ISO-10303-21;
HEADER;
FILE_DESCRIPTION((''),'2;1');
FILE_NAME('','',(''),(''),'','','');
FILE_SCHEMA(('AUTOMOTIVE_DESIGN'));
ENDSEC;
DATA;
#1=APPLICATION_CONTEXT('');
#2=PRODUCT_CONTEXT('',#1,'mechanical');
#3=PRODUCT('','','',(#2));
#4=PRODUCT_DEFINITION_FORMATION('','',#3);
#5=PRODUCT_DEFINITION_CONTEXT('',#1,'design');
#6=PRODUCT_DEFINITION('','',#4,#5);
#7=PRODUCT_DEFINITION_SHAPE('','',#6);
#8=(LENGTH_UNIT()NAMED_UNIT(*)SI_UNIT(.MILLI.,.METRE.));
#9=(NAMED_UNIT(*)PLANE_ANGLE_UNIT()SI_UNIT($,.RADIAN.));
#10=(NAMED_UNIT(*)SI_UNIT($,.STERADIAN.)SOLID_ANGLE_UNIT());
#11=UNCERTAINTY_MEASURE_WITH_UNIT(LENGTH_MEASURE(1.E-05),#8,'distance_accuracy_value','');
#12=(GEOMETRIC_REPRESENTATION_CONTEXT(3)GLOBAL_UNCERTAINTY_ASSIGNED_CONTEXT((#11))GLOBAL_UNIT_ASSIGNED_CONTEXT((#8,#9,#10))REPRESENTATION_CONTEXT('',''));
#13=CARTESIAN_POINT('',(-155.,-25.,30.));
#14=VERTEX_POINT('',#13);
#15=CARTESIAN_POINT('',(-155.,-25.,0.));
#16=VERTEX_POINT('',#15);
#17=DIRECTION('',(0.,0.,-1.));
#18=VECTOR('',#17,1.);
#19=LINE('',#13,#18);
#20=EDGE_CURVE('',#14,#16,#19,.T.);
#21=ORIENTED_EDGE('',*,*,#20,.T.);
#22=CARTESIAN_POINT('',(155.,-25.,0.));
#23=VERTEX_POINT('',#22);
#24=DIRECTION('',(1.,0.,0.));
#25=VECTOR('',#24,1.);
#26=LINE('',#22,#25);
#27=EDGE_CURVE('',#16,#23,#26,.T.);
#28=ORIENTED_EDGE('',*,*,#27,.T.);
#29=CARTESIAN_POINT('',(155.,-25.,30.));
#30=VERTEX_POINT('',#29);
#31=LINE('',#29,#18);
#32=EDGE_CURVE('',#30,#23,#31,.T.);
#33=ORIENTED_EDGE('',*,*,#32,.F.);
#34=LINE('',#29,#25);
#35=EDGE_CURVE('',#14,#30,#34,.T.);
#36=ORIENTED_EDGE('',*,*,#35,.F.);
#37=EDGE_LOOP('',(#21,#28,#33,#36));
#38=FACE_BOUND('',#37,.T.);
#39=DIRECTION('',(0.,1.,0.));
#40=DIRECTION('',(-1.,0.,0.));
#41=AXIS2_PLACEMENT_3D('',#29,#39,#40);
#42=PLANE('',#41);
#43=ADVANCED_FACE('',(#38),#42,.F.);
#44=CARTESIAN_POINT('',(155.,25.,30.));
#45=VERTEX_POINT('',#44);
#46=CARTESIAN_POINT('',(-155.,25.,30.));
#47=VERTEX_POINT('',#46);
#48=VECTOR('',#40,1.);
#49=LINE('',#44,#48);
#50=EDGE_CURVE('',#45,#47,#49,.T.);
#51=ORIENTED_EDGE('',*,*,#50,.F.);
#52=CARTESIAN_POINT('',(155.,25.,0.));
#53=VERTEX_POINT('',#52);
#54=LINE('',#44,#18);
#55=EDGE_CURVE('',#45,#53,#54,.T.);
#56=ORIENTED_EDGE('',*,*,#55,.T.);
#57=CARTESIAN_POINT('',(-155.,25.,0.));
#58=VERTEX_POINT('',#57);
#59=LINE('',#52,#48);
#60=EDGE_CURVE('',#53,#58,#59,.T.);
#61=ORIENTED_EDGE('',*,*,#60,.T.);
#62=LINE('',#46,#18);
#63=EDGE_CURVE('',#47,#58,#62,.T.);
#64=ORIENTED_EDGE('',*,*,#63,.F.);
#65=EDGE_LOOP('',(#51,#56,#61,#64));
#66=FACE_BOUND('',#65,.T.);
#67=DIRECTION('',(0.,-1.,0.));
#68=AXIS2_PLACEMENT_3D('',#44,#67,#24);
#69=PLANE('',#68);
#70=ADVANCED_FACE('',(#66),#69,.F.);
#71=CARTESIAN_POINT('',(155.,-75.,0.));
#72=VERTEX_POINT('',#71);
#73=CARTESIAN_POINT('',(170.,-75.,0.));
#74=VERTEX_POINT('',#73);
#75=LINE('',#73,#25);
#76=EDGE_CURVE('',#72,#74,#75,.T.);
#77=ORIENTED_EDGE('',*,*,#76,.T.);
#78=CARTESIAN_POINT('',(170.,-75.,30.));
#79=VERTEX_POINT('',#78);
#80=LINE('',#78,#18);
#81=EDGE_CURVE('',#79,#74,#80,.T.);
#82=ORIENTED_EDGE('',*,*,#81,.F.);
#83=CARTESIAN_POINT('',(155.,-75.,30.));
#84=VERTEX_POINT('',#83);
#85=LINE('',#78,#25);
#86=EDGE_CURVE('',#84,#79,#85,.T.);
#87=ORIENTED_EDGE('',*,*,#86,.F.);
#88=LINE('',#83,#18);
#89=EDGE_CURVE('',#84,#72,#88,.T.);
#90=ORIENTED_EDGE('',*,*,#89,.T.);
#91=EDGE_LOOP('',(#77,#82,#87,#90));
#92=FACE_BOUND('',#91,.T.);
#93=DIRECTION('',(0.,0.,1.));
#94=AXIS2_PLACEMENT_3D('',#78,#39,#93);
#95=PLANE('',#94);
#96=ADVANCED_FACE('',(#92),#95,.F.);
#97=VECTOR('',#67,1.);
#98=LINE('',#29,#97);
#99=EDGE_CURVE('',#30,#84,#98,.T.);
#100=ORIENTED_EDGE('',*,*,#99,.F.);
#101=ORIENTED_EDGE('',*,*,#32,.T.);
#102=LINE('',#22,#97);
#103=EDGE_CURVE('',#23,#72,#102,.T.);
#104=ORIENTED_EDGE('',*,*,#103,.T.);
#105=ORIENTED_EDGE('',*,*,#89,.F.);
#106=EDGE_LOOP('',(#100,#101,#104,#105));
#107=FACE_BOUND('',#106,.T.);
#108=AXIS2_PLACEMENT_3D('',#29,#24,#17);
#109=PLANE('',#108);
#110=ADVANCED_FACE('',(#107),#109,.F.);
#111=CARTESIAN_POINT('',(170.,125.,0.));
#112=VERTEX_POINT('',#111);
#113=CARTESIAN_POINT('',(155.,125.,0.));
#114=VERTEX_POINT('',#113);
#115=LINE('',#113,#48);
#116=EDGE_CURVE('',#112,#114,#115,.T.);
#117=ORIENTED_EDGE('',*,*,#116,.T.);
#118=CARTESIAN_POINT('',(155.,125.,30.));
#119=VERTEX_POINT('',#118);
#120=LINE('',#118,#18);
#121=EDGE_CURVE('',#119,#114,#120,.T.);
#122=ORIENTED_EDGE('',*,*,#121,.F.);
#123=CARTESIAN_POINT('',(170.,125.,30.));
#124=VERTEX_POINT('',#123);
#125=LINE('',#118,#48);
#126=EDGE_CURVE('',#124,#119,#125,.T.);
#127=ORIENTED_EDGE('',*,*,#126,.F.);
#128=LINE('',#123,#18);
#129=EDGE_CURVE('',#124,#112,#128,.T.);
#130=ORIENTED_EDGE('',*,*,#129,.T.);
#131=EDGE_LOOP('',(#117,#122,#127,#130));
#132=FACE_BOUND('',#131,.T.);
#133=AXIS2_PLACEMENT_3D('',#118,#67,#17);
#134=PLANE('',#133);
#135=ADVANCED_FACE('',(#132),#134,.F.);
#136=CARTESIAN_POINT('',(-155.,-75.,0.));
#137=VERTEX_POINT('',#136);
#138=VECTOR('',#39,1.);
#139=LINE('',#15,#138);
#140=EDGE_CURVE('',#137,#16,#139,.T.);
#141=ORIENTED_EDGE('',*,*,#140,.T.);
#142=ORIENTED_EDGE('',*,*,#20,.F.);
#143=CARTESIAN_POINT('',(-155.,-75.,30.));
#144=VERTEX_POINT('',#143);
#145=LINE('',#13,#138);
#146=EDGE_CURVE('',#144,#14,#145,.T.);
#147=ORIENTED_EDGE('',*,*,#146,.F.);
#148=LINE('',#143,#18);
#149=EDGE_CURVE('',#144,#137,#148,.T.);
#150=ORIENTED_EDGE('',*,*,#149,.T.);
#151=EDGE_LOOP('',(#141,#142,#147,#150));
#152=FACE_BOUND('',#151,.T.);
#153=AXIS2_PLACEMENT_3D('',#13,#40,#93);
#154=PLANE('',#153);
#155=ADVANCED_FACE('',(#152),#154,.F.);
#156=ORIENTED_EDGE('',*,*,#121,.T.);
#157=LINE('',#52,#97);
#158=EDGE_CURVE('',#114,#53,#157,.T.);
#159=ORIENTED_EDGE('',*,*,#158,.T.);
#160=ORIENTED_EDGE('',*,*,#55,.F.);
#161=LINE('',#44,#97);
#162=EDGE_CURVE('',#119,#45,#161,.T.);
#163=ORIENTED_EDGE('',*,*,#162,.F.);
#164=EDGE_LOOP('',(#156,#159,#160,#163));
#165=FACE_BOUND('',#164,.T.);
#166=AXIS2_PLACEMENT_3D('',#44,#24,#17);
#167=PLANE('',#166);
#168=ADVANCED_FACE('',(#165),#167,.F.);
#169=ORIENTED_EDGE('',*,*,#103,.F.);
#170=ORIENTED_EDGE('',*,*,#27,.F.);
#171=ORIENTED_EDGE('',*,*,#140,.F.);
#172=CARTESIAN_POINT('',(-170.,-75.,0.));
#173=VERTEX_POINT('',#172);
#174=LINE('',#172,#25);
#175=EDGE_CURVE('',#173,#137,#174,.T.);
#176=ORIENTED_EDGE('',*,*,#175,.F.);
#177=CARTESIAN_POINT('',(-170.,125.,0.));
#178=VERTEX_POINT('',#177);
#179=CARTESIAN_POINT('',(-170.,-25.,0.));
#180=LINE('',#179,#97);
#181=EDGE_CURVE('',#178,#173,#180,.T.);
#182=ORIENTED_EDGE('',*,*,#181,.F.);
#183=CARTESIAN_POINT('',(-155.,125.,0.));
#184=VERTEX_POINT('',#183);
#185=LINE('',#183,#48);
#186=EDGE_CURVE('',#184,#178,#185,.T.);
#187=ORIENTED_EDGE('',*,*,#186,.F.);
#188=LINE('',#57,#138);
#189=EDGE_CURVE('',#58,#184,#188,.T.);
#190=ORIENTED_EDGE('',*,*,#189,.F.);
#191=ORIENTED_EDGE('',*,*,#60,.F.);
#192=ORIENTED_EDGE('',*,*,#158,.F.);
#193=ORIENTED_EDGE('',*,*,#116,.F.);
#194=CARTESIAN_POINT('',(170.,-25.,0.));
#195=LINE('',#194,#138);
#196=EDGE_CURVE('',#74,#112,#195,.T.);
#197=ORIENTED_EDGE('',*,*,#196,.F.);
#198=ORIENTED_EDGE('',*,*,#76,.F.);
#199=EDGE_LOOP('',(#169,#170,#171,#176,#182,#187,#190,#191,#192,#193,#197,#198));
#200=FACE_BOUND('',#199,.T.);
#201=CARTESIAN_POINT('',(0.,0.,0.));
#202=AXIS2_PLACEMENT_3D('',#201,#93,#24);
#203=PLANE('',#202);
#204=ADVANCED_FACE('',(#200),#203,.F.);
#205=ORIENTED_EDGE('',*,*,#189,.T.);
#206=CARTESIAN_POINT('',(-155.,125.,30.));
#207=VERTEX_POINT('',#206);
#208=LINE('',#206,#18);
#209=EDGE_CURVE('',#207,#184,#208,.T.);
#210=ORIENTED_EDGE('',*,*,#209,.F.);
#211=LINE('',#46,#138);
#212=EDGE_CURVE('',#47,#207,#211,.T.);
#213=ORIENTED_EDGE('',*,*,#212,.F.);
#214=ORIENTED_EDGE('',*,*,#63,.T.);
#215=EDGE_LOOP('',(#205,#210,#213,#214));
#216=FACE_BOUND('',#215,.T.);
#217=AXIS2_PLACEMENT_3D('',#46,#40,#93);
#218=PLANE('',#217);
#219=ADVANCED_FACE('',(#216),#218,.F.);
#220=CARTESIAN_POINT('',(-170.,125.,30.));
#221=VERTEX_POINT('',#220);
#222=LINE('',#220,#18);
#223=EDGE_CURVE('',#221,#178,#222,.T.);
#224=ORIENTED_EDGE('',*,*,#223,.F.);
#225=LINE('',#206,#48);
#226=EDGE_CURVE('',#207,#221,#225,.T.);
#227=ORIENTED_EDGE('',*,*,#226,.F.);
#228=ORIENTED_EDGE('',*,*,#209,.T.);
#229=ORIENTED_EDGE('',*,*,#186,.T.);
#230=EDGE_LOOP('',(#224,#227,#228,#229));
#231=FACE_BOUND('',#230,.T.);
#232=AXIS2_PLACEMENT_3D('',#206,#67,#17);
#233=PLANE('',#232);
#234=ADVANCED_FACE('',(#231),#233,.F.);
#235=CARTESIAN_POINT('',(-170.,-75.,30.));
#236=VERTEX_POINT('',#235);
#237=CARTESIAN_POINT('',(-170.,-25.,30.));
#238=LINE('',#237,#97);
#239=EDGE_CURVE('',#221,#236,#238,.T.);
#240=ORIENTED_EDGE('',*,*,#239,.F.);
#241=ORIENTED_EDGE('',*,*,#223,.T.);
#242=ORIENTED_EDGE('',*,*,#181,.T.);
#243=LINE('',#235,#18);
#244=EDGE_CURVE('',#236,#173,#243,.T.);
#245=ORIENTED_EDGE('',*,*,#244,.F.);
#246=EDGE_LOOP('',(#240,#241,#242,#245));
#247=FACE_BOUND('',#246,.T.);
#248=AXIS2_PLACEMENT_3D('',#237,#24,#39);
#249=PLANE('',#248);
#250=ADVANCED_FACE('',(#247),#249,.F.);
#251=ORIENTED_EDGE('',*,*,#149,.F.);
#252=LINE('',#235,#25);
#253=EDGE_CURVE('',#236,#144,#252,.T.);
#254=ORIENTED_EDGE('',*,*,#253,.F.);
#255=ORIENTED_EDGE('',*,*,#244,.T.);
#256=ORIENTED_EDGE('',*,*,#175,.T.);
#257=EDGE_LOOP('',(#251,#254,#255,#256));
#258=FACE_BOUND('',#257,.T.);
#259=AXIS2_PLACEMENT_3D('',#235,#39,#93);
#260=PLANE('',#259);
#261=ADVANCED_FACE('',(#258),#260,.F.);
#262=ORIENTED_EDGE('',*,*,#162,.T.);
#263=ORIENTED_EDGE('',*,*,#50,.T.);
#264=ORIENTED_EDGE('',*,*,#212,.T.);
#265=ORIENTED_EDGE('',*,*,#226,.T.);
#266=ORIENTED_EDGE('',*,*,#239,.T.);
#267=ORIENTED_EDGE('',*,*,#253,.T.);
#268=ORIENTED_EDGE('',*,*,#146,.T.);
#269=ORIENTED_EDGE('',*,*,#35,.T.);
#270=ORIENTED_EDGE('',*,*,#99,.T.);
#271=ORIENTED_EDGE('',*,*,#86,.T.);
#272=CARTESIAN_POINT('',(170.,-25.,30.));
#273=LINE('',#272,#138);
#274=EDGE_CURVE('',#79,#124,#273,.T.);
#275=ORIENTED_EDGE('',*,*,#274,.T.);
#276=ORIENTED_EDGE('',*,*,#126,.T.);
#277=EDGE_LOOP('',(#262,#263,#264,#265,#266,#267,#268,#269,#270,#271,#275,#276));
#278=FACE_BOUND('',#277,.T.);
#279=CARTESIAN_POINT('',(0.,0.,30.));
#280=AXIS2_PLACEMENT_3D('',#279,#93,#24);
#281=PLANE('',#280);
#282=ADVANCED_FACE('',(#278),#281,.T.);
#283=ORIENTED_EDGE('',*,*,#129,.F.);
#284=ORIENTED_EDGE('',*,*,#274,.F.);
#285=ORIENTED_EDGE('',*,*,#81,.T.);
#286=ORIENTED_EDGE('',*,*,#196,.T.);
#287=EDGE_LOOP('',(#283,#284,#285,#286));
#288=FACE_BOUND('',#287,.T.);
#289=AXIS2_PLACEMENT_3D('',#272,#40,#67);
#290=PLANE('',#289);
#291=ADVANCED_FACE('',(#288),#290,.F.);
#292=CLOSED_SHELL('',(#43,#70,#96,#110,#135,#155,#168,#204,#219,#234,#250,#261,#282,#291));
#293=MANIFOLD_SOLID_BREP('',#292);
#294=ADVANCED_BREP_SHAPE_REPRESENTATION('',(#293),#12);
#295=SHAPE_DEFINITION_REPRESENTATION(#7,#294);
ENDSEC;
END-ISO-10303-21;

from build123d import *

# Parameters (mm, degrees)
SALIENTE_EXTRUIR1_DEPTH = 30


with BuildPart() as part:
    # Croquis1 → Saliente-Extruir1 (new body)
    with BuildSketch(Plane.XY):
        Polygon((155, -25), (-155, -25), (-155, -75), (-170, -75), (-170, -25), (-170, 125), (-155, 125), (-155, 25), (155, 25), (155, 125), (170, 125), (170, -25), (170, -75), (155, -75), align=None)
    extrude(amount=SALIENTE_EXTRUIR1_DEPTH)


solid = part.part
